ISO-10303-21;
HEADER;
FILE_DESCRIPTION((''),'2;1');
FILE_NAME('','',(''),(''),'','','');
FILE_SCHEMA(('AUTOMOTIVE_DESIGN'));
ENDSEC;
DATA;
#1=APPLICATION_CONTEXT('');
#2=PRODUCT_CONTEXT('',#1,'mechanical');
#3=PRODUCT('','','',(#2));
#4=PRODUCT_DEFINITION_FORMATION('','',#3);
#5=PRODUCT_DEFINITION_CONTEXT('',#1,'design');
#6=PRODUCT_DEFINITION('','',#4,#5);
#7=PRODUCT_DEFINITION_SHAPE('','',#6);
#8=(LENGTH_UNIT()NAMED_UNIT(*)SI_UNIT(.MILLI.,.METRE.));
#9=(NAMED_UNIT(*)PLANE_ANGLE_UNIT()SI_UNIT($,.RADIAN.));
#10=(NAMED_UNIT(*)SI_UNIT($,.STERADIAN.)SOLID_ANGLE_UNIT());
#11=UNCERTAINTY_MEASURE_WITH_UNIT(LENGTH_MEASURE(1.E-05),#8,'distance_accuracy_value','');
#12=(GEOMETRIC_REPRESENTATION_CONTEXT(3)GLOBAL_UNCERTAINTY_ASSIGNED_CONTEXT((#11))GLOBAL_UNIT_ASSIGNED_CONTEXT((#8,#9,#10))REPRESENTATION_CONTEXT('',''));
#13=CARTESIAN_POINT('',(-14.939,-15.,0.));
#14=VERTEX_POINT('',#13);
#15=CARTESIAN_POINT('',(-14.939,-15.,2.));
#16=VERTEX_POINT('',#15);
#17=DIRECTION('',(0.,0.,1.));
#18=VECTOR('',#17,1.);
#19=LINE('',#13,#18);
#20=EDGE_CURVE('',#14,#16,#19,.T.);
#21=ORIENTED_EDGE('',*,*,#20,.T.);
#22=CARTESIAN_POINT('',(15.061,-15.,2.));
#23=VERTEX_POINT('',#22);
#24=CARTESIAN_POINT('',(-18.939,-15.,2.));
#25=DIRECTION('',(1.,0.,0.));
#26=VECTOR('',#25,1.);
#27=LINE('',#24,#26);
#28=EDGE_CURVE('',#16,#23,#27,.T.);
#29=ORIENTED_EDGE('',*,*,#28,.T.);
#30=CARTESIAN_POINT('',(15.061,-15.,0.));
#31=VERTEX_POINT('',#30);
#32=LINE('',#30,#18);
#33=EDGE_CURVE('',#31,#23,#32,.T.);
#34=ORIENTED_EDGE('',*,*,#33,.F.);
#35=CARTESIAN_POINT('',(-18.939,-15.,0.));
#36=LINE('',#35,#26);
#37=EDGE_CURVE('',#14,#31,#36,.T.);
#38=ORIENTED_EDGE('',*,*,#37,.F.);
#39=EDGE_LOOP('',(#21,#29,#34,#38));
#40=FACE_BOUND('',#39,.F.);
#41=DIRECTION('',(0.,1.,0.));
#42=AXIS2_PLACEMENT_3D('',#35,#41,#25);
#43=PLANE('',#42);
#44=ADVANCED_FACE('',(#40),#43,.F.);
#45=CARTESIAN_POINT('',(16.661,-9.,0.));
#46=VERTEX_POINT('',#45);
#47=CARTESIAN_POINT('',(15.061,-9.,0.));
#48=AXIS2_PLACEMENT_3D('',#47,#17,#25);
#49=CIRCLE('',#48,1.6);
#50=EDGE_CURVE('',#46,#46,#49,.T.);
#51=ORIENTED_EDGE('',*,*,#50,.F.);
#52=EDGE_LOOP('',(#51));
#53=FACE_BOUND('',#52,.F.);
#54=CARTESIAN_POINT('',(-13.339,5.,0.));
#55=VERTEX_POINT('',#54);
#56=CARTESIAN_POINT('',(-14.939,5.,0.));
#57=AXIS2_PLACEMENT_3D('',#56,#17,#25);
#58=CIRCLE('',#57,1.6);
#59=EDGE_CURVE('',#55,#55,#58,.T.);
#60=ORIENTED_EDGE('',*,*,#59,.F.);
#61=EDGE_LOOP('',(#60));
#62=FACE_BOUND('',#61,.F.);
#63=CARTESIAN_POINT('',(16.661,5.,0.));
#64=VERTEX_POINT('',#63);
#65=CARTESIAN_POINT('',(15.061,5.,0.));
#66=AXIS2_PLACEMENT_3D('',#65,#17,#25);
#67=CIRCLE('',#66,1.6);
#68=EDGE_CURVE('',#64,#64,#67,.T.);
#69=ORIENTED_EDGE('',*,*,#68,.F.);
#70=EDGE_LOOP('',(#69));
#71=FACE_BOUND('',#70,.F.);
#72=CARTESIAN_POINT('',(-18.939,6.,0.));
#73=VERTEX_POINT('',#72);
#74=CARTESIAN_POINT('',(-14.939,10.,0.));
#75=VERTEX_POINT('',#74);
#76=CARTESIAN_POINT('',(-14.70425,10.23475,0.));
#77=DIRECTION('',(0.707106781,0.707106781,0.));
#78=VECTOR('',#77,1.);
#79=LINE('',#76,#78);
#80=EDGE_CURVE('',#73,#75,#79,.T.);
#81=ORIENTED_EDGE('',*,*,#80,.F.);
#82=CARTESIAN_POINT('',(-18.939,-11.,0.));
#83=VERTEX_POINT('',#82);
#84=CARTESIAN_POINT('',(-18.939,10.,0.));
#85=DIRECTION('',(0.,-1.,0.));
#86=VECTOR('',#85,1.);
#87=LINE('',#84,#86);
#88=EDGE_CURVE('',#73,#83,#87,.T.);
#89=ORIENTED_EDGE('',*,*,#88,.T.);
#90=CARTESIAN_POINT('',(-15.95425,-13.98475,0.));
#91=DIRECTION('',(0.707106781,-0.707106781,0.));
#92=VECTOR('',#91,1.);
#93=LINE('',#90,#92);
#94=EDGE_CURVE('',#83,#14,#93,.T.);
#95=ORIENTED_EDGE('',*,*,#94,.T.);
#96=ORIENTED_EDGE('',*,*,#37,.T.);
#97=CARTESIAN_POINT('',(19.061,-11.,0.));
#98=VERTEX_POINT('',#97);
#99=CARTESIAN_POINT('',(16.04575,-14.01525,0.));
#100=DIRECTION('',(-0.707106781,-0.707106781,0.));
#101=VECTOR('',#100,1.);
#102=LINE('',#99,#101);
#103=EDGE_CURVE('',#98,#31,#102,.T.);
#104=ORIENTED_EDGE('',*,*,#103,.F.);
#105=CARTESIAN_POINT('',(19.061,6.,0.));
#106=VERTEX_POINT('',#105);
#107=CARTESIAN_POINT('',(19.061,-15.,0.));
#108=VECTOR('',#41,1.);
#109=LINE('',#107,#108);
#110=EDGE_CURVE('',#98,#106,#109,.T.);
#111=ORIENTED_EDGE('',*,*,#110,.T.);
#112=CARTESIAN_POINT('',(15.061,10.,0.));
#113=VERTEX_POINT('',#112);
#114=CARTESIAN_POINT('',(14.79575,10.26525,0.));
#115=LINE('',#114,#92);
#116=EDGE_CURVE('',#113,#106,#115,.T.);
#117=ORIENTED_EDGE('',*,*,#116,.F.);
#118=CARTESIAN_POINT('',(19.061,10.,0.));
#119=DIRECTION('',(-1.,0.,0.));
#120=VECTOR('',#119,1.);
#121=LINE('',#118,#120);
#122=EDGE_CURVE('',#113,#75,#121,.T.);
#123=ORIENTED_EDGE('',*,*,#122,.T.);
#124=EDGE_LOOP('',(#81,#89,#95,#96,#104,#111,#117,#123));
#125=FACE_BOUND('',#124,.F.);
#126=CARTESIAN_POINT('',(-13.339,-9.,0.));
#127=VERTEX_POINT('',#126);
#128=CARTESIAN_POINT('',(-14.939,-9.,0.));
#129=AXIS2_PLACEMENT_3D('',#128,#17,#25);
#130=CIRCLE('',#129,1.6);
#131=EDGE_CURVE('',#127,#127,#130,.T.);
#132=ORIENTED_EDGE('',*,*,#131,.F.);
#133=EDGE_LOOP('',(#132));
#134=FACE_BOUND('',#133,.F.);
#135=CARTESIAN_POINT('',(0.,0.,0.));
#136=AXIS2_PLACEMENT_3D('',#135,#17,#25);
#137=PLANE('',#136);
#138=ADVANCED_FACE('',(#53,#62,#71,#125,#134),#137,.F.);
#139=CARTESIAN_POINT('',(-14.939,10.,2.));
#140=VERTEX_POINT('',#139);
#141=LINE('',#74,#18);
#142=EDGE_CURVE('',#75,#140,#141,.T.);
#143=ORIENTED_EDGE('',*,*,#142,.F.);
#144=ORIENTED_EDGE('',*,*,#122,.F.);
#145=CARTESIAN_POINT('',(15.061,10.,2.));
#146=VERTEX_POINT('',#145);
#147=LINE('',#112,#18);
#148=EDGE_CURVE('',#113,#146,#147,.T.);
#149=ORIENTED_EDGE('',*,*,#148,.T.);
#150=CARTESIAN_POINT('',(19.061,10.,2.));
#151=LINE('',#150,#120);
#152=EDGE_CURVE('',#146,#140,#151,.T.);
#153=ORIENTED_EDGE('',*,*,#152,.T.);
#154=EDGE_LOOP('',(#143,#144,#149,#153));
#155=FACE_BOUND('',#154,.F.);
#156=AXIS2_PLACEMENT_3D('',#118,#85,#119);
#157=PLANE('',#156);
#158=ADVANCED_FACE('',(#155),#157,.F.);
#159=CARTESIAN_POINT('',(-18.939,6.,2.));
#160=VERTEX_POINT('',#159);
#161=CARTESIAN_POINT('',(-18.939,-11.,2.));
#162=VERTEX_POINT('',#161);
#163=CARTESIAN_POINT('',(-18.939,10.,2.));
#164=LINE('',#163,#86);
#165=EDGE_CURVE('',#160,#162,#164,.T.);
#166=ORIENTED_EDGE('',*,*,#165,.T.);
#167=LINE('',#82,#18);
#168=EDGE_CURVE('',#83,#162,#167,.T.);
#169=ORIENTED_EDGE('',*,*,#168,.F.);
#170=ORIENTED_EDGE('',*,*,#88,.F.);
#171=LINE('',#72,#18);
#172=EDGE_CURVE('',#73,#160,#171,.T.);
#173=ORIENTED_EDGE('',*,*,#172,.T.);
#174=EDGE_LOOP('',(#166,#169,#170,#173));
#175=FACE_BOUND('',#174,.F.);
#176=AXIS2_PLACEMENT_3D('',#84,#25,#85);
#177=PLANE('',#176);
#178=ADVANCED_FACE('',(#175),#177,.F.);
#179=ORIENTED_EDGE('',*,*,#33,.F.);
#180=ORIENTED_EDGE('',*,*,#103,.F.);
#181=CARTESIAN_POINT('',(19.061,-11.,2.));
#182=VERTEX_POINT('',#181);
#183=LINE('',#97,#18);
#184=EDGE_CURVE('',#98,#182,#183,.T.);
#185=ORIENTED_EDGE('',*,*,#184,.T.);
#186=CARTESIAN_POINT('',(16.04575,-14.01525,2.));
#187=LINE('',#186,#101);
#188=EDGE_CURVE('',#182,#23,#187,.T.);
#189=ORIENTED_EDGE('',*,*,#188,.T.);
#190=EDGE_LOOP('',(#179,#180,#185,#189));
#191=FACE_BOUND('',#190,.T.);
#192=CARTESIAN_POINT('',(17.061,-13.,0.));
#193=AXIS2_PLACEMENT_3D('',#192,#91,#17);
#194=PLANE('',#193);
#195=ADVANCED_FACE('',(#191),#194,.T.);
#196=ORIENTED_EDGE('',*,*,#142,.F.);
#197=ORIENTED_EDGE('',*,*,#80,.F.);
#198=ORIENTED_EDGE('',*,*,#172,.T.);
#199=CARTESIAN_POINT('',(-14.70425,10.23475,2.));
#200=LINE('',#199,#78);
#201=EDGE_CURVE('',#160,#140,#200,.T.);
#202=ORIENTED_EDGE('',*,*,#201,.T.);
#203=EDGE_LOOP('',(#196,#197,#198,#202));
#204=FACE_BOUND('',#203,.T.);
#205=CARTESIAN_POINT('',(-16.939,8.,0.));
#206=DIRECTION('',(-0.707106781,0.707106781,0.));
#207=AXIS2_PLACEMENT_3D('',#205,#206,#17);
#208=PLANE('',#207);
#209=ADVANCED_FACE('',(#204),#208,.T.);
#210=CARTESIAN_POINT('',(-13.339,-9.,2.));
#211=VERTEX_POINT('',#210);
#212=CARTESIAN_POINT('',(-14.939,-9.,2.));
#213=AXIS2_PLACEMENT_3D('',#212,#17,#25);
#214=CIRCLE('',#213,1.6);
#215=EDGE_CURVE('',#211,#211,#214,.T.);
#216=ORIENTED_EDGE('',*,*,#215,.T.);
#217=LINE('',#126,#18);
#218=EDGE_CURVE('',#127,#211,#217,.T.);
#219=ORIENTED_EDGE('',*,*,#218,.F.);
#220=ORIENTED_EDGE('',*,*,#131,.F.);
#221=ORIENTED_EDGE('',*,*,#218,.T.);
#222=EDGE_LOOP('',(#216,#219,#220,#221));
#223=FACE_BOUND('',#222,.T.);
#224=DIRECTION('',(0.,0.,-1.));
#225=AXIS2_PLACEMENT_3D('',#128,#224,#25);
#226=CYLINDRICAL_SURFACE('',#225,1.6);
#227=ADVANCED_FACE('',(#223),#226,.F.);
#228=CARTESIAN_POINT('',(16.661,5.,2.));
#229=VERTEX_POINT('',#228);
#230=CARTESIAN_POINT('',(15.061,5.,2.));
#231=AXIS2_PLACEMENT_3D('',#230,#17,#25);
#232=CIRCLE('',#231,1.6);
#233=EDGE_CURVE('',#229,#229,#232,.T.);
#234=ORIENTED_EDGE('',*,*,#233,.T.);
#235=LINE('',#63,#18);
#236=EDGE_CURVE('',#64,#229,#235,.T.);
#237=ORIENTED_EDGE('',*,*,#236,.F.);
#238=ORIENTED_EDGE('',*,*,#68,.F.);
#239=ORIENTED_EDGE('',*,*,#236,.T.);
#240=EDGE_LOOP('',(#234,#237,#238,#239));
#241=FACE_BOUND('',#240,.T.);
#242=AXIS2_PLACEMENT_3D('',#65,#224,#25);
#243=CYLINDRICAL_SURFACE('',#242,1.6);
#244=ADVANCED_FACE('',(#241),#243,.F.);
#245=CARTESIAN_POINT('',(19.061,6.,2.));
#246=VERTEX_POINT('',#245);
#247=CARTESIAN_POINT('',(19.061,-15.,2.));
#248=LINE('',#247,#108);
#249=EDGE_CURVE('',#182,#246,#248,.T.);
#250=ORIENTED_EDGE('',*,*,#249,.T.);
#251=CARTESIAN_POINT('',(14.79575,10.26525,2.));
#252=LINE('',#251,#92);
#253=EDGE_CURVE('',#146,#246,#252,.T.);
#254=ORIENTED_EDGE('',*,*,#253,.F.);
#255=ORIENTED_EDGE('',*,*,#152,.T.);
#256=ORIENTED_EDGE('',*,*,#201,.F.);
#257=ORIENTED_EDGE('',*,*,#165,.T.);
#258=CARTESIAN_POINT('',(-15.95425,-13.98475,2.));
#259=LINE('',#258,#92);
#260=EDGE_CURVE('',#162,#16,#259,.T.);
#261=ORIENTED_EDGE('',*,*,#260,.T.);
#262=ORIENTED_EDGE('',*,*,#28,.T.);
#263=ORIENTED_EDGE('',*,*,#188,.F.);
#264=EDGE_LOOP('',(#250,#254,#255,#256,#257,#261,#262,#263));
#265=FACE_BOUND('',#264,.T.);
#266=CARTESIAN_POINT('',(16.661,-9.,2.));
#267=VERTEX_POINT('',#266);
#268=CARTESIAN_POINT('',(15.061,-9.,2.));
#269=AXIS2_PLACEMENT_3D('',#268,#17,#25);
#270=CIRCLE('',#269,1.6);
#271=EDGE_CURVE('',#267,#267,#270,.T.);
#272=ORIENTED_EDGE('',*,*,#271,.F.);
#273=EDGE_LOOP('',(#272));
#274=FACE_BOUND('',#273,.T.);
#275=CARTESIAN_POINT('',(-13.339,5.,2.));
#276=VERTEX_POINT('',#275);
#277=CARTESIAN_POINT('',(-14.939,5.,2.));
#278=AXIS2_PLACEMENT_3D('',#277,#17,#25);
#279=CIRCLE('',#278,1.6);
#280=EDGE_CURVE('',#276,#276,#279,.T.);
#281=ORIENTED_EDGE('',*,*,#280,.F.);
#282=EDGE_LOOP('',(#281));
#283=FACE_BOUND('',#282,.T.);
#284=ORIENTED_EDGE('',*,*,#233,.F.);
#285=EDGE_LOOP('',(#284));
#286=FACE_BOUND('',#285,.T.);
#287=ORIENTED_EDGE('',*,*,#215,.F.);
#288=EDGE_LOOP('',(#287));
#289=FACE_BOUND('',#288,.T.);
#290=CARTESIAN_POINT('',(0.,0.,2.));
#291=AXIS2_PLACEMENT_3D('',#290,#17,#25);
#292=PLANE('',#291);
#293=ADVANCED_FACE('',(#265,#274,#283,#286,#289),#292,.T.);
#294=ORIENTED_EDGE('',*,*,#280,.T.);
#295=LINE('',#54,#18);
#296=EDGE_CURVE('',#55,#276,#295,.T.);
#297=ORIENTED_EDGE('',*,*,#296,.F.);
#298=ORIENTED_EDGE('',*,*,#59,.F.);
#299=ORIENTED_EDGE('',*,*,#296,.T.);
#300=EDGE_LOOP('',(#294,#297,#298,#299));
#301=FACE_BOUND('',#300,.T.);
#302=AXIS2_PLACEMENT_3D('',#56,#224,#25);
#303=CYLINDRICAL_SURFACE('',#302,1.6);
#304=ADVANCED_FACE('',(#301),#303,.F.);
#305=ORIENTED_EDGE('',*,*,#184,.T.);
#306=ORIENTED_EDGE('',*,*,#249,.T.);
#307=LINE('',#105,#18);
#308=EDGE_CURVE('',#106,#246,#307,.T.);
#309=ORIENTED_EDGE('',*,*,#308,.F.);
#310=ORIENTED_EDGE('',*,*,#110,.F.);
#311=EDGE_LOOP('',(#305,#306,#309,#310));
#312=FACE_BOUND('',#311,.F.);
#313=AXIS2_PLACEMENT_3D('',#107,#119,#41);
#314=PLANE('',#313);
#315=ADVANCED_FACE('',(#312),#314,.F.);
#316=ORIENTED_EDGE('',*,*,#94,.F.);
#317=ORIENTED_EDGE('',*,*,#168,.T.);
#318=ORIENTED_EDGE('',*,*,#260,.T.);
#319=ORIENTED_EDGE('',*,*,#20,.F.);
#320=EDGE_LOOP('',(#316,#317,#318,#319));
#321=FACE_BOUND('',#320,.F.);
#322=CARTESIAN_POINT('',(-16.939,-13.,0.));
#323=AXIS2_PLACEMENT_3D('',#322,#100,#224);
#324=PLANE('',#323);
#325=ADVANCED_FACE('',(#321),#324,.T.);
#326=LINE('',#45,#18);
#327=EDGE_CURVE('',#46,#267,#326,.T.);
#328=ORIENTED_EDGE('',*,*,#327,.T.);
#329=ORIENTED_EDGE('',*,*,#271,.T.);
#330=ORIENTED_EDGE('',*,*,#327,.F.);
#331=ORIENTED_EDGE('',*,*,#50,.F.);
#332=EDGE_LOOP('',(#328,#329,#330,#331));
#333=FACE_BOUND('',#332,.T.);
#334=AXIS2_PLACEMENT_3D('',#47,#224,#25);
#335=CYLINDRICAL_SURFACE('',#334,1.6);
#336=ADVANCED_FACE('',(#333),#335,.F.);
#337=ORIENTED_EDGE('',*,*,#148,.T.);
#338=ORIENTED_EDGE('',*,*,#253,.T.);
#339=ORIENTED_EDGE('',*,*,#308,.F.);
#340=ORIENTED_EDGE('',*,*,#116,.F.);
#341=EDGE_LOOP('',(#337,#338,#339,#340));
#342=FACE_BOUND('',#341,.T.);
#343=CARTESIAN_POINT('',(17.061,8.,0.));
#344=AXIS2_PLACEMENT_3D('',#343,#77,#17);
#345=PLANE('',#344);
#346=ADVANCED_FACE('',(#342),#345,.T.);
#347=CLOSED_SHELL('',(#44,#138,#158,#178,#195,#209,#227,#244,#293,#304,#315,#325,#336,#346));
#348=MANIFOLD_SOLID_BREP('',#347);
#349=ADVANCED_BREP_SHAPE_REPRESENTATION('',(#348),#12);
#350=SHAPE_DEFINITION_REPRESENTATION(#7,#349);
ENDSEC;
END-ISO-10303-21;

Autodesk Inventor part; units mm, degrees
ref_plane "YZ Plane" through (0, 0, 0) normal (1, 0, 0) x (0, 1, 0)
ref_plane "XZ Plane" through (0, 0, 0) normal (0, 1, 0) x (-1, 0, 0)
ref_plane "XY Plane" through (0, 0, 0) normal (0, 0, 1) x (1, 0, 0)
sketch "Эскиз1" plane through (0, 0, 0) normal (0, 0, 1) x (1, 0, 0)
  line L0 (-18.939, -15) -> (19.061, -15)
  line L1 (19.061, -15) -> (19.061, 10)
  line L2 (19.061, 10) -> (-18.939, 10)
  line L3 (-18.939, 10) -> (-18.939, -15)
  circle A0 centre (-14.939, 5) radius 1.6
  circle A1 centre (-14.939, -9) radius 1.6
  circle A2 centre (15.061, 5) radius 1.6
  circle A3 centre (15.061, -9) radius 1.6
  point P0 (0, 0)
  dimension "d0" = 38
  dimension "d5" = 3.2
  dimension "d7" = 14
  dimension "d16" = 3.2
  dimension "d17" = 3.2
  dimension "d18" = 3.2
  dimension "d19" = 5
  dimension "d20" = 14
  dimension "d21" = 6
  dimension "d22" = 6
  dimension "d23" = 4
  dimension "d25" = 4
  dimension "d26" = 4
extrude "Выдавливание1" add sketch "Эскиз1" along normal blind 2
chamfer "Фаска1" distance 4 angle 45 4 edges at (19.061, 10, 1) (-18.939, 10, 1) (19.061, -15, 1) (-18.939, -15, 1)
properties part number "стена_простая"
